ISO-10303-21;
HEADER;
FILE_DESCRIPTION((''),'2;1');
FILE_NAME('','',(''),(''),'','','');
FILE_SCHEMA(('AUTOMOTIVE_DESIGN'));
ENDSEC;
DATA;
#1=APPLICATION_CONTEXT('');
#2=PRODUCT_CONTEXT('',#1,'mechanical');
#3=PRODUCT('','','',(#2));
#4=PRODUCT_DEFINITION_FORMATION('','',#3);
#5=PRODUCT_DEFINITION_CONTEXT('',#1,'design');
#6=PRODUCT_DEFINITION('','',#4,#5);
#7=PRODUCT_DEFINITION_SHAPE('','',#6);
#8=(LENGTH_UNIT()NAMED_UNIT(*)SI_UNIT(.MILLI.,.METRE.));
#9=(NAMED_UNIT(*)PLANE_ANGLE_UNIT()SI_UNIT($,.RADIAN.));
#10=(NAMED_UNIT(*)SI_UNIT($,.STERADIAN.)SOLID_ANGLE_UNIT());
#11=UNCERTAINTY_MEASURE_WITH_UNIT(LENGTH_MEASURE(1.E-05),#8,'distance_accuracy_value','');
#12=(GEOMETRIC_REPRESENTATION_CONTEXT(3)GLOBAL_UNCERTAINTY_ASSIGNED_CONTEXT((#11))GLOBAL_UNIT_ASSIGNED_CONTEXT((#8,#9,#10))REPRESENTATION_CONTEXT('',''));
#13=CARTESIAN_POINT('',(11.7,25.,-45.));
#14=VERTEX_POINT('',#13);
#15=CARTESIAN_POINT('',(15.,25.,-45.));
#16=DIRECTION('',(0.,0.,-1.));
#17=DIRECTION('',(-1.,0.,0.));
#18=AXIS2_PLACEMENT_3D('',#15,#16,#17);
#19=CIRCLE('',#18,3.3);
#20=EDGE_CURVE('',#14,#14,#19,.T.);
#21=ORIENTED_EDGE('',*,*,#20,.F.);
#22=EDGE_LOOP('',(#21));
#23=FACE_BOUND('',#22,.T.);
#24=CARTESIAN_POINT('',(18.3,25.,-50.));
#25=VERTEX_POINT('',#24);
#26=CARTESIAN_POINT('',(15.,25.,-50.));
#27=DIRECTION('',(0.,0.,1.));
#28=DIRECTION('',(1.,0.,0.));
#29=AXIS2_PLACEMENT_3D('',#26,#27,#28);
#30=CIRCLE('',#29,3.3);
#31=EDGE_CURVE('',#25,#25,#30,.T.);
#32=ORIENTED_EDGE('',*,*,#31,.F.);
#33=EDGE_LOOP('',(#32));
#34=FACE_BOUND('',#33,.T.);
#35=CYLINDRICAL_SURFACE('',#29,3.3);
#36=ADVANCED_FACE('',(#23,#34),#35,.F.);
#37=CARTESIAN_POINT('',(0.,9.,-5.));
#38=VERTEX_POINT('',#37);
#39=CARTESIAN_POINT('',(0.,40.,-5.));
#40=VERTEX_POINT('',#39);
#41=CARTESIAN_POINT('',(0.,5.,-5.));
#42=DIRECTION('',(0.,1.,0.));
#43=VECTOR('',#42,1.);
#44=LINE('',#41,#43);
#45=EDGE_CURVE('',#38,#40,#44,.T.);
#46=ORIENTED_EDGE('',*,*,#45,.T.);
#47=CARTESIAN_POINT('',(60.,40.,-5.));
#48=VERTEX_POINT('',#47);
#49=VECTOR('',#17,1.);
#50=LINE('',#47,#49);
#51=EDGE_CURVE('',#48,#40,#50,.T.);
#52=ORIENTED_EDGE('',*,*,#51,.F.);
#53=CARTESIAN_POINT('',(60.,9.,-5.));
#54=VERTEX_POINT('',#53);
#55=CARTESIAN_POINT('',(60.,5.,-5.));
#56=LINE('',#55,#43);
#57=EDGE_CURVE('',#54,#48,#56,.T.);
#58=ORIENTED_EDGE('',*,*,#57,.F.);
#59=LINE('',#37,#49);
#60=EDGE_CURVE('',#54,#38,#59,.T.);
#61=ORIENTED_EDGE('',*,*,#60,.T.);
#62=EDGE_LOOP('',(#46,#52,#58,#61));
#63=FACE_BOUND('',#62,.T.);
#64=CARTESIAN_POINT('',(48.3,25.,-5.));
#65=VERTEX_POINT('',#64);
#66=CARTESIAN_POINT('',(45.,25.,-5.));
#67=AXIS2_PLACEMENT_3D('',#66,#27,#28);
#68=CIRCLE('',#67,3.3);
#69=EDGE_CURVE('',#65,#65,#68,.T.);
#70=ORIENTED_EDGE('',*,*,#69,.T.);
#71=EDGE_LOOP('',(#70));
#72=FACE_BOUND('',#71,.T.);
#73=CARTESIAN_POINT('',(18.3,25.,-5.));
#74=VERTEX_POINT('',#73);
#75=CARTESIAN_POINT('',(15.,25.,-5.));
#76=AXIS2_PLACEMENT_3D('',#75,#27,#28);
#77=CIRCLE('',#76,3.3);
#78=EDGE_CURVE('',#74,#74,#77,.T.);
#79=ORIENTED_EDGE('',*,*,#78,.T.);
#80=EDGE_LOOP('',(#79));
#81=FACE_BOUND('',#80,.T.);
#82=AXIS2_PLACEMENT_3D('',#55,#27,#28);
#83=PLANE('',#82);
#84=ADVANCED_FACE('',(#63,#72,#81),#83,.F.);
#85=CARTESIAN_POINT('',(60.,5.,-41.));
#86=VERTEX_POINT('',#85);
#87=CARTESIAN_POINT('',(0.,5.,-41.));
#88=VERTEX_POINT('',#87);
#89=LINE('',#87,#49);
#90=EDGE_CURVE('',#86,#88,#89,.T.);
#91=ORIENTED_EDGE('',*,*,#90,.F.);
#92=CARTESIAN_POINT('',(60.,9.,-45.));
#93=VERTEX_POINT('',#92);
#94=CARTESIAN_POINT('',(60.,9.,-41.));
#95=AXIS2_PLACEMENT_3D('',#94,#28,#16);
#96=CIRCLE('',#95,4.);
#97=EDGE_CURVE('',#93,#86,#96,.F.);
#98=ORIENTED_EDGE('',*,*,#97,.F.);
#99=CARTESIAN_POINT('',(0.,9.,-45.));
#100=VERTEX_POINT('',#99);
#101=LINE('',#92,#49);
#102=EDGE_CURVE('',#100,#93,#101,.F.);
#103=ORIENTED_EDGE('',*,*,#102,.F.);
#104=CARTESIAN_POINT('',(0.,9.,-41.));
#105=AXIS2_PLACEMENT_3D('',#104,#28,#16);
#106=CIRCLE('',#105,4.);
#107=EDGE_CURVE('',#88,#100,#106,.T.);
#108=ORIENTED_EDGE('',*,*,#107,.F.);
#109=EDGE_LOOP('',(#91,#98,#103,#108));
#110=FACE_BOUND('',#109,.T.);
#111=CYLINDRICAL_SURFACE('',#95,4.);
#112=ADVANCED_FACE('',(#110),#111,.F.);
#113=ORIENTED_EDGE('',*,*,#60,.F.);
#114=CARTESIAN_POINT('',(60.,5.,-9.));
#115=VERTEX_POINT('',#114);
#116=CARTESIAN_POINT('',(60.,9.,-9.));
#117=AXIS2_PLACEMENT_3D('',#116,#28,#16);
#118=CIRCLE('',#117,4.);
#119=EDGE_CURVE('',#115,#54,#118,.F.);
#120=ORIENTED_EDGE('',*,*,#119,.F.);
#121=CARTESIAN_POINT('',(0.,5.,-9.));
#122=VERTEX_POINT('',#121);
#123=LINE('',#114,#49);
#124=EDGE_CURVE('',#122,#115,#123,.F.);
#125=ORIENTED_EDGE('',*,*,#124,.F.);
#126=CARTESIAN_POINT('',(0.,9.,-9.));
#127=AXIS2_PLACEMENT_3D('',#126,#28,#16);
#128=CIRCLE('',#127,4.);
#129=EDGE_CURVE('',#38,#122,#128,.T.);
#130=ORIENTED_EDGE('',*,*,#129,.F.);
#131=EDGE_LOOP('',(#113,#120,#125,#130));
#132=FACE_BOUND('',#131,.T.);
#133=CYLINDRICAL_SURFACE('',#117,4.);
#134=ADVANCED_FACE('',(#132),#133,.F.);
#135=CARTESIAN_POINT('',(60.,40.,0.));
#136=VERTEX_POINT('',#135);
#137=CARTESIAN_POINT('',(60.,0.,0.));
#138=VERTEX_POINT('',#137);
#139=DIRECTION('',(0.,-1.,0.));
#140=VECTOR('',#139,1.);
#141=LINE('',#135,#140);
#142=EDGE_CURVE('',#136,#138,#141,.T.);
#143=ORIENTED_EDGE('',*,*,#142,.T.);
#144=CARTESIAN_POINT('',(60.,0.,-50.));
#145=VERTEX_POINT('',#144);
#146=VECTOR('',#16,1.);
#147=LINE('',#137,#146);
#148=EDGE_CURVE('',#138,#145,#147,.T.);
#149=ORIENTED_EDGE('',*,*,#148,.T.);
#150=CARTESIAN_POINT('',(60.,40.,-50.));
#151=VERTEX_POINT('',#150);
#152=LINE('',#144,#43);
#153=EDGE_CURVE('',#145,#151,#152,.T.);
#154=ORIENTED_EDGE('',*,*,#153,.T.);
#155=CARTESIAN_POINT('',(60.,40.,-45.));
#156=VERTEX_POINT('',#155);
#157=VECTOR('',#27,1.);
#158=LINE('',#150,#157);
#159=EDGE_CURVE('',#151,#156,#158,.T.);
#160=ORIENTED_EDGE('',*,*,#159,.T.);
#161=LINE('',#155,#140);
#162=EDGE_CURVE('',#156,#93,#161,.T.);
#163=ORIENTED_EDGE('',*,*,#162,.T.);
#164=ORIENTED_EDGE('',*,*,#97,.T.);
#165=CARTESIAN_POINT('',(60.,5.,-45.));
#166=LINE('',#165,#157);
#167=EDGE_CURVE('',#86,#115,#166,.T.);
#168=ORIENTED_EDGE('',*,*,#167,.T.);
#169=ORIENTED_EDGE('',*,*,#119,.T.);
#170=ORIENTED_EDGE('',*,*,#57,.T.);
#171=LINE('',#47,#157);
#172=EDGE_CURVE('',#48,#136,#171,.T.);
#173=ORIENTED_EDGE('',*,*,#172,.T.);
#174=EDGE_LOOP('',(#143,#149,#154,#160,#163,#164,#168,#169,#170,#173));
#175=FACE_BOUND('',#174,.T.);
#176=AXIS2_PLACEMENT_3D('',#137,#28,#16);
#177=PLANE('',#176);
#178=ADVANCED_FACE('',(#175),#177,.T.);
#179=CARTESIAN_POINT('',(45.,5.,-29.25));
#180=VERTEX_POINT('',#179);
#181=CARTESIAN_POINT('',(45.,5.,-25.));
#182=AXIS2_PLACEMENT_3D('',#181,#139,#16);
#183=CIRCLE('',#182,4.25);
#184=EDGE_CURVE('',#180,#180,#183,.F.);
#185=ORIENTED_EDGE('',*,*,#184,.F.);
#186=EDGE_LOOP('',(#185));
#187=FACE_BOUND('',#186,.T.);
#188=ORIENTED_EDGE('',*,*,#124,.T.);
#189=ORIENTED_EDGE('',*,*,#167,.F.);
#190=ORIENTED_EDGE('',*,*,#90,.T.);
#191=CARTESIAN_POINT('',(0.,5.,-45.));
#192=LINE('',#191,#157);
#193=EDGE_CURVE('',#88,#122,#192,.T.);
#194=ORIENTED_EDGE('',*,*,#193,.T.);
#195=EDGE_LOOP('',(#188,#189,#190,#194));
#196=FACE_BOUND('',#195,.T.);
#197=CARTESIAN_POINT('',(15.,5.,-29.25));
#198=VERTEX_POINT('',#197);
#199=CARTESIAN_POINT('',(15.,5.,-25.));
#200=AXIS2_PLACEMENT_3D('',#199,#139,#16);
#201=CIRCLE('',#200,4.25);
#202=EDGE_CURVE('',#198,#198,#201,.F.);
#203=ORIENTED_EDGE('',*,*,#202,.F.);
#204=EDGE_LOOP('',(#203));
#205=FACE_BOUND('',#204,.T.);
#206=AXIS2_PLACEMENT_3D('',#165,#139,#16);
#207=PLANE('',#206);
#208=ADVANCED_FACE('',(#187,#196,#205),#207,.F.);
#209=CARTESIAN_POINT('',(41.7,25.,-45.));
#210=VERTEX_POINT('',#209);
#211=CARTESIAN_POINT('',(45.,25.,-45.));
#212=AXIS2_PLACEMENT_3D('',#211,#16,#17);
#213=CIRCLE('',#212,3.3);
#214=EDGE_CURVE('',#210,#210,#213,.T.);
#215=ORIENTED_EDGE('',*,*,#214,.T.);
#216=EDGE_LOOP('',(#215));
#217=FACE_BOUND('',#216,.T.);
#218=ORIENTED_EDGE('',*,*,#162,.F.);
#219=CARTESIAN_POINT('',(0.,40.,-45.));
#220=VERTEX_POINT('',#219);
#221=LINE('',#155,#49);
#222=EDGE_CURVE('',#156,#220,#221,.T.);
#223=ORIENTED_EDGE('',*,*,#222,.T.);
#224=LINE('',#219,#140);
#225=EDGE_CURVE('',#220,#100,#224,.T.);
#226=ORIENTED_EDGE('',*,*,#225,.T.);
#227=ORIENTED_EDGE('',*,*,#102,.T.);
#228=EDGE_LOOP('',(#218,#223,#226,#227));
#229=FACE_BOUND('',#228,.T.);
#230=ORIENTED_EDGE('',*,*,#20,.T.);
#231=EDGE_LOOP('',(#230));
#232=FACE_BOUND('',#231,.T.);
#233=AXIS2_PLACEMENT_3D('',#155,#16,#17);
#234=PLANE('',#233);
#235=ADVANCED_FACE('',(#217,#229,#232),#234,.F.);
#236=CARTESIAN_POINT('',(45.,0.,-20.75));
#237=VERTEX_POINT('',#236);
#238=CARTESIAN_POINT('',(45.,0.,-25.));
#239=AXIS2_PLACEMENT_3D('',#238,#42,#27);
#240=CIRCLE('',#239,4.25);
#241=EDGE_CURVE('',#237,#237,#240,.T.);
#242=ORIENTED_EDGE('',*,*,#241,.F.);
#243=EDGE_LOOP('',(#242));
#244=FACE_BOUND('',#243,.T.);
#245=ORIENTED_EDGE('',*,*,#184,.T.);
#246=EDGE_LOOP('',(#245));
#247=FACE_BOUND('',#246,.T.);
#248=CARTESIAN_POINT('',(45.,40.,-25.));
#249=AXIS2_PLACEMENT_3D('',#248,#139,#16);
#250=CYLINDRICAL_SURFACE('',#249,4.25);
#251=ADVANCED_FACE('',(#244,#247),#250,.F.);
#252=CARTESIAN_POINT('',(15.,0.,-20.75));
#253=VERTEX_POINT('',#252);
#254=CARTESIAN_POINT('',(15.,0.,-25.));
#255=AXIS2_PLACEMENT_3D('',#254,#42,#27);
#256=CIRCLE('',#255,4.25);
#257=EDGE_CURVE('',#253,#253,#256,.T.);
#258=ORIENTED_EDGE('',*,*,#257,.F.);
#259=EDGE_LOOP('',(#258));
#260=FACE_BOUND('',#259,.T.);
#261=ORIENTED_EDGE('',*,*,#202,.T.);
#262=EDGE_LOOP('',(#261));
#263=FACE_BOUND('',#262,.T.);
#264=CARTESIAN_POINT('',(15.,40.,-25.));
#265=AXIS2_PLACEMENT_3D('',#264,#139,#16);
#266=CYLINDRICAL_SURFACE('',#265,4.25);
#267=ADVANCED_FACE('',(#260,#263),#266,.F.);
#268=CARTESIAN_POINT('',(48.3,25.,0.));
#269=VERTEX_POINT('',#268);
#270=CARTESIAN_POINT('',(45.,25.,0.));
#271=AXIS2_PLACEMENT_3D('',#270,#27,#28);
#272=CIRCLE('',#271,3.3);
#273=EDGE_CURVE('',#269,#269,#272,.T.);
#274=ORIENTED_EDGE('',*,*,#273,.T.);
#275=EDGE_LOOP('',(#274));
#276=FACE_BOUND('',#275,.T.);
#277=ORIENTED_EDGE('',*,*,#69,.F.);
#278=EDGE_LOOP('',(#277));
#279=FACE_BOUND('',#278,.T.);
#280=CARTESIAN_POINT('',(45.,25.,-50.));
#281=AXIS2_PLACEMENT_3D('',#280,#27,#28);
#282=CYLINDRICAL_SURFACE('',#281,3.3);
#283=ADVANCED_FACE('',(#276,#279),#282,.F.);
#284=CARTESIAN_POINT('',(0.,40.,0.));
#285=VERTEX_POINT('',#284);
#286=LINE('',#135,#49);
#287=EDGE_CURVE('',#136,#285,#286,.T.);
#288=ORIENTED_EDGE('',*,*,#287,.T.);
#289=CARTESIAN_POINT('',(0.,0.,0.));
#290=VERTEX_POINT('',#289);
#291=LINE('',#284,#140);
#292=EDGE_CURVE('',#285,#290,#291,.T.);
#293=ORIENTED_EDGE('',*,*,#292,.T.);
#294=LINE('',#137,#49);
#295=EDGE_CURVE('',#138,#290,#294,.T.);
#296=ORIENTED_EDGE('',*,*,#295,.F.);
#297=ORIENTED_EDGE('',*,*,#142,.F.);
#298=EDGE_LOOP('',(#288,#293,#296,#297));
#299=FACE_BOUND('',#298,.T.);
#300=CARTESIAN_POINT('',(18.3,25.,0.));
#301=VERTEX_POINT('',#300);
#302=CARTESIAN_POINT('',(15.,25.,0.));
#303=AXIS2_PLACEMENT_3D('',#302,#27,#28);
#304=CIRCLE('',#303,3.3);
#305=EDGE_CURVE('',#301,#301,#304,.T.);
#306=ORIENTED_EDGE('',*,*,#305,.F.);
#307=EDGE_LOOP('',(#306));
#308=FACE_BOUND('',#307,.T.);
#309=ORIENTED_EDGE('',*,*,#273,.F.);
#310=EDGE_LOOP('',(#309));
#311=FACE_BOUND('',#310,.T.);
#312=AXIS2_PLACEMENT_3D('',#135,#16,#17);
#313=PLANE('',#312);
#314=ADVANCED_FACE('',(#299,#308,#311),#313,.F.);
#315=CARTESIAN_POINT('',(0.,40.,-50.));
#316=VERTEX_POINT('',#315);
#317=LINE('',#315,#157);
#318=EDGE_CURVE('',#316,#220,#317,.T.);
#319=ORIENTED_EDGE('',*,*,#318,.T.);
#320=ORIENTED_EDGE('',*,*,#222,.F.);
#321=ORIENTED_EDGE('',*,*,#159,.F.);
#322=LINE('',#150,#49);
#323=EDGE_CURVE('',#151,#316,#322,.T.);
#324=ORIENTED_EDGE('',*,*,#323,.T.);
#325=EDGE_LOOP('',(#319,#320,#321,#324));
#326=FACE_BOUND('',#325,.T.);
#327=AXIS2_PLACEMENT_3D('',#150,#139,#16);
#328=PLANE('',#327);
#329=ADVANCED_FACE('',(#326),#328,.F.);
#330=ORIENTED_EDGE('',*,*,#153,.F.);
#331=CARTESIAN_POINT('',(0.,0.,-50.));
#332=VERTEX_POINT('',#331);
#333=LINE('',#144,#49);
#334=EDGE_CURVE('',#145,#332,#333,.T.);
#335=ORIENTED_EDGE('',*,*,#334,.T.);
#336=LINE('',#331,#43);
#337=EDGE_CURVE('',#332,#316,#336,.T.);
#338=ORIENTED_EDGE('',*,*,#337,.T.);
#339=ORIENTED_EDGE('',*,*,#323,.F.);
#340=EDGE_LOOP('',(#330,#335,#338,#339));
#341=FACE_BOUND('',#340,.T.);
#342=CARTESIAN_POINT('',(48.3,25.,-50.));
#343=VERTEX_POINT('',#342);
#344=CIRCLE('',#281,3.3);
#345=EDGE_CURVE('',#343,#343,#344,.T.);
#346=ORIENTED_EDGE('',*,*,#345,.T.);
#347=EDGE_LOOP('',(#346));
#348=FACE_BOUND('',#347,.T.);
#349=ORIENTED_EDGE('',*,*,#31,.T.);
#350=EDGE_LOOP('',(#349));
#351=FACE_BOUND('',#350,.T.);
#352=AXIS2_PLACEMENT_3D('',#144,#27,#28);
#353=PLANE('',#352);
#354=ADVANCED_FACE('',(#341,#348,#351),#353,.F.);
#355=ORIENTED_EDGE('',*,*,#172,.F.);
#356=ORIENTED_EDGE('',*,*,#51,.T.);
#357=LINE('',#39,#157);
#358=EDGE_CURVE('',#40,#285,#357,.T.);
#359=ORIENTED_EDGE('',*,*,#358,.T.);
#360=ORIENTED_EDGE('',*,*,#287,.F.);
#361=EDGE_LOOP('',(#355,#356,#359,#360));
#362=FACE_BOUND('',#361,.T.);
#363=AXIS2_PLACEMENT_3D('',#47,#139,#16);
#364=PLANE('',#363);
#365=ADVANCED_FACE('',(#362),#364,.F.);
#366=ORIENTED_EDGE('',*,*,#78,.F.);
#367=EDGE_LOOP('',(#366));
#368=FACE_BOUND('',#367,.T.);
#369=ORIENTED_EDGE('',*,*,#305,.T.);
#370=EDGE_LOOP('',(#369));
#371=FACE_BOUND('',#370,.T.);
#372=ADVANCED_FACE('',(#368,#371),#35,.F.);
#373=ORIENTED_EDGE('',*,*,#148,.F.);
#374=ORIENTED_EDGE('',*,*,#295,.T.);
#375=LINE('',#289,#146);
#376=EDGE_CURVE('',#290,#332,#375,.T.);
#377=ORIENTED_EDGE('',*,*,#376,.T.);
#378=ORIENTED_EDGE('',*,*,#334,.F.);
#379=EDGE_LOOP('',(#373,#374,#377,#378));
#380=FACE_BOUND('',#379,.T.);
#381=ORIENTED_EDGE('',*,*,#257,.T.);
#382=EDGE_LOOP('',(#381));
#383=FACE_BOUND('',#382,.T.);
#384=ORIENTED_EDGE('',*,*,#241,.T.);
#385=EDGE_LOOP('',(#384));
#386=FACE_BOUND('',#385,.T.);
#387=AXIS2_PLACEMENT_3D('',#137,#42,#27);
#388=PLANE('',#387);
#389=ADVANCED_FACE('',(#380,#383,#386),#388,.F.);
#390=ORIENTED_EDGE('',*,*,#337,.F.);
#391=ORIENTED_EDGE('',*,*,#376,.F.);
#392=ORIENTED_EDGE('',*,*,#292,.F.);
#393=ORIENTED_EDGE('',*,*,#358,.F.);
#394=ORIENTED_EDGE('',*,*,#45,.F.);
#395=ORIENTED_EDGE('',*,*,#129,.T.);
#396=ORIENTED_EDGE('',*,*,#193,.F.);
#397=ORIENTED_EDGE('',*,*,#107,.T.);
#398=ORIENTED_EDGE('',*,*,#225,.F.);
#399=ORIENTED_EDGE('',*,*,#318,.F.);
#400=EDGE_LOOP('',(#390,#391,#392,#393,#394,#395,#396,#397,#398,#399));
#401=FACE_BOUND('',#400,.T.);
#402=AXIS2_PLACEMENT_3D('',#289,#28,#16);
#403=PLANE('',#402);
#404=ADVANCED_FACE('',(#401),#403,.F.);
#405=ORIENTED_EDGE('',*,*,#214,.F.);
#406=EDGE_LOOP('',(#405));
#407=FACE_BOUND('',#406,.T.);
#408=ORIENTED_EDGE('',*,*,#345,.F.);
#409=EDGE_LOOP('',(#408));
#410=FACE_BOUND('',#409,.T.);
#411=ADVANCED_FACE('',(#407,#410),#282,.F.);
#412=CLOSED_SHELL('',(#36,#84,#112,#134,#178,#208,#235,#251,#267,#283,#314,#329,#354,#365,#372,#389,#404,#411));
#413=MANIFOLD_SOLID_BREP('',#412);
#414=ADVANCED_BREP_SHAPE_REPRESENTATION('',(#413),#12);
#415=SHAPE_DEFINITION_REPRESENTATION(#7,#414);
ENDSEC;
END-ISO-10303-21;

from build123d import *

# Parameters (mm, degrees)
EXTRUDE_1_DEPTH     = 60
SKETCH_2_R          = 4.25
CUT_EXTRUDE_1_DEPTH = 88.749643874
SKETCH_3_R          = 3.3
CUT_EXTRUDE_2_DEPTH = 88.749643874
FILLET_1_R          = 4


with BuildPart() as part:
    # 草圖1 → 填料-伸長1 (new body)
    with BuildSketch(Plane(origin=(0, 0, 0), x_dir=(0, 0, -1), z_dir=(1, 0, 0))):
        Polygon((0, 0), (50, 0), (50, 40), (45, 40), (45, 5), (5, 5), (5, 40), (0, 40), align=None)
    extrude(amount=EXTRUDE_1_DEPTH)

    # 草圖2 → 除料-伸長1 (cut, through all)
    with BuildSketch(Plane(origin=(0, 0, 0), x_dir=(1, 0, 0), z_dir=(0, 1, 0))):
        with Locations(Location((15, 25, 0), (0, 0, 90))):
            Circle(SKETCH_2_R)
        with Locations(Location((45, 25, 0), (0, 0, 90))):
            Circle(SKETCH_2_R)
    extrude(amount=CUT_EXTRUDE_1_DEPTH, mode=Mode.SUBTRACT)

    # 草圖3 → 除料-伸長2 (cut, through all)
    with BuildSketch(Plane.XY):
        with Locations((15, 25)):
            Circle(SKETCH_3_R)
        with Locations((45, 25)):
            Circle(SKETCH_3_R)
    extrude(amount=-CUT_EXTRUDE_2_DEPTH, mode=Mode.SUBTRACT)

    # 圓角1
    fillet_1_edges = [part.edges().sort_by_distance(p)[0] for p in [
        (30, 5, -5),
        (30, 5, -45),
    ]]
    fillet(fillet_1_edges, radius=FILLET_1_R)


solid = part.part
